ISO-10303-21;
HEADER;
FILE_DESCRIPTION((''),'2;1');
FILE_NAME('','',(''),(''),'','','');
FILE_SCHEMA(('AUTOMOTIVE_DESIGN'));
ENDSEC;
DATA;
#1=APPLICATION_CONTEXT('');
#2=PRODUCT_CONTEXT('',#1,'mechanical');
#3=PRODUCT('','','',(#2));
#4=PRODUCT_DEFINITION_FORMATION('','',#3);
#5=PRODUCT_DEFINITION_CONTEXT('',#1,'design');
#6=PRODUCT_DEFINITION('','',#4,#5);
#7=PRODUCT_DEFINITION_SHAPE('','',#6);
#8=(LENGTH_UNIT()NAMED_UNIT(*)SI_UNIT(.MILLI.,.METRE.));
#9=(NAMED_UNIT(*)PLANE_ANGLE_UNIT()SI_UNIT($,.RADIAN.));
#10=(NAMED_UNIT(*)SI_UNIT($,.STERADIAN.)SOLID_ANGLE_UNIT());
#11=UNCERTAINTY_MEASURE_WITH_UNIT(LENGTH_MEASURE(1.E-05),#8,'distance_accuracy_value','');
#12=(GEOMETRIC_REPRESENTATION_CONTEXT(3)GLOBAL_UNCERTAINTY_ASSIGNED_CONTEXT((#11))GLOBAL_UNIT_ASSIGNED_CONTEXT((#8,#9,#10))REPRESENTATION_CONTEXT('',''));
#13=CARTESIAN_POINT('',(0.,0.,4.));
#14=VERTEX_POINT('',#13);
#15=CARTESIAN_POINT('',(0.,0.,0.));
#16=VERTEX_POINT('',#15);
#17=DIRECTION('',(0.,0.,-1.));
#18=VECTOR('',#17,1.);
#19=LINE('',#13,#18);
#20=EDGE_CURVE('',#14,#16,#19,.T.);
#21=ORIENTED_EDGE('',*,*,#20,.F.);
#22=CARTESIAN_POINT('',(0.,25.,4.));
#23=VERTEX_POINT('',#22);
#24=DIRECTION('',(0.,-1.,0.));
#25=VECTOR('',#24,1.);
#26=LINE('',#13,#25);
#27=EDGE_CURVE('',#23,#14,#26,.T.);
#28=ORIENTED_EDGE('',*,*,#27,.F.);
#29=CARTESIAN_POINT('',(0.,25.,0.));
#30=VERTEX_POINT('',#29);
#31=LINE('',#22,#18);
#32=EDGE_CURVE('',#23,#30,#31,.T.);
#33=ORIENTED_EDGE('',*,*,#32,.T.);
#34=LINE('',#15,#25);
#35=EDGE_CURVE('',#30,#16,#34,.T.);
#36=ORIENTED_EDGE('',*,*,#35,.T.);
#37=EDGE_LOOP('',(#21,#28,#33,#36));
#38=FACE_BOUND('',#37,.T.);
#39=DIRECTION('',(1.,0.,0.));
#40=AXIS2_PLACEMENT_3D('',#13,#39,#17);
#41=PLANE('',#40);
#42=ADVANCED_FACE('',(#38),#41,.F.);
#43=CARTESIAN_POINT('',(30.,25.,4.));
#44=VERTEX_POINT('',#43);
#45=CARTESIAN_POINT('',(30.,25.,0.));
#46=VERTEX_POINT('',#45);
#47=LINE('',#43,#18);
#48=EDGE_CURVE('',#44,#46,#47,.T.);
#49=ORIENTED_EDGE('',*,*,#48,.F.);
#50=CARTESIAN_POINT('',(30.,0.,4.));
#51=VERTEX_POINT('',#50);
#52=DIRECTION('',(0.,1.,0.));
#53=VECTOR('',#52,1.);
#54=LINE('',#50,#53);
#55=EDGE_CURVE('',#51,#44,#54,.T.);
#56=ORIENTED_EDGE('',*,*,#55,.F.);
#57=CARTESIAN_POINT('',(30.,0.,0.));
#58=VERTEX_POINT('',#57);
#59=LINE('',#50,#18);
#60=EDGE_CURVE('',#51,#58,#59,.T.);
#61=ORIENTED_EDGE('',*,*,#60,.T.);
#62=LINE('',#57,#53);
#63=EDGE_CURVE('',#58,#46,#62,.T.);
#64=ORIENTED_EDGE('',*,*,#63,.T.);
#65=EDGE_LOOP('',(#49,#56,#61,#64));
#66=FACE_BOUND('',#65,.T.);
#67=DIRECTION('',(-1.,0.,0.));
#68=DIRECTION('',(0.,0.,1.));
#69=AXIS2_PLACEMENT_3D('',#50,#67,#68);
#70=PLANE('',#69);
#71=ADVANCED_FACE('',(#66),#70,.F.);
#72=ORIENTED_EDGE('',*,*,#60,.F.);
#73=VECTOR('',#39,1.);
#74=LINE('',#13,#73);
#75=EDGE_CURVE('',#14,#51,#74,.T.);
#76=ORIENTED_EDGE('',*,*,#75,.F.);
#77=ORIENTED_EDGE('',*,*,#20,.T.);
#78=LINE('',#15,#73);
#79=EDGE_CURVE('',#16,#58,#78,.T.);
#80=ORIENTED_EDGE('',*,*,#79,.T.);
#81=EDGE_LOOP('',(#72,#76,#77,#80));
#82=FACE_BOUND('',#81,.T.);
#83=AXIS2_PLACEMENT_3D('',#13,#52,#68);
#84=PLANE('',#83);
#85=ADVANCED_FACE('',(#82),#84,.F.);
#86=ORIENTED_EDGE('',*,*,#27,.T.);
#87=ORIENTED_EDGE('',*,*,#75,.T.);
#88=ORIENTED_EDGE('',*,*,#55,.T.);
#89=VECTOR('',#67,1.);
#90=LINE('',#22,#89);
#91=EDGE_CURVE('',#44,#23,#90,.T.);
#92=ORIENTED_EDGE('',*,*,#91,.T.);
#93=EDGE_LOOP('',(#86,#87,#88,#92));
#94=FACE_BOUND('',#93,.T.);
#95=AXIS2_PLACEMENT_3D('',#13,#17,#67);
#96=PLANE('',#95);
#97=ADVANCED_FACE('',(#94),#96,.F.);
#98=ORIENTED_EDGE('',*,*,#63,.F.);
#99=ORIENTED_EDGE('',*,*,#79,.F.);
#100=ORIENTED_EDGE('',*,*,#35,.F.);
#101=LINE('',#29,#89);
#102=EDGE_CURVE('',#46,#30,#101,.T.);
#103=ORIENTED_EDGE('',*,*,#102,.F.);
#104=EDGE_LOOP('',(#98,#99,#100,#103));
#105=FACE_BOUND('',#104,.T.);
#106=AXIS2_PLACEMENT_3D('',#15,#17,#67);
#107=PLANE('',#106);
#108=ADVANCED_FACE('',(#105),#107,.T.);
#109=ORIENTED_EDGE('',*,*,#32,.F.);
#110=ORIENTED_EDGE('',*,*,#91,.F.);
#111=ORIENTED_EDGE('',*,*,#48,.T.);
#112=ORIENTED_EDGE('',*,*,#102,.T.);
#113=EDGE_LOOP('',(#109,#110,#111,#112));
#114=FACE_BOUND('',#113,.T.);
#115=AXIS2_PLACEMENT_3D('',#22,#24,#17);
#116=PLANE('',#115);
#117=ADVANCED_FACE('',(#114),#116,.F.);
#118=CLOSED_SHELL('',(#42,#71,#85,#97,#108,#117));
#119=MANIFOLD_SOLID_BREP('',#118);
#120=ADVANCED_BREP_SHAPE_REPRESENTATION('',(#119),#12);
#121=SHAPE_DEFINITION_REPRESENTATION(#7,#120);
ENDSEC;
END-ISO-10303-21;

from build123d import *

# Parameters (mm, degrees)
SCHIZZO1_W                   = 30
SCHIZZO1_H                   = 25
ESTRUSIONE_ESTRUSIONE1_DEPTH = 4


with BuildPart() as part:
    # Schizzo1 → Estrusione-Estrusione1 (new body)
    with BuildSketch(Plane.XY):
        with Locations((15, 12.5)):
            Rectangle(SCHIZZO1_W, SCHIZZO1_H)
    extrude(amount=ESTRUSIONE_ESTRUSIONE1_DEPTH)


solid = part.part
